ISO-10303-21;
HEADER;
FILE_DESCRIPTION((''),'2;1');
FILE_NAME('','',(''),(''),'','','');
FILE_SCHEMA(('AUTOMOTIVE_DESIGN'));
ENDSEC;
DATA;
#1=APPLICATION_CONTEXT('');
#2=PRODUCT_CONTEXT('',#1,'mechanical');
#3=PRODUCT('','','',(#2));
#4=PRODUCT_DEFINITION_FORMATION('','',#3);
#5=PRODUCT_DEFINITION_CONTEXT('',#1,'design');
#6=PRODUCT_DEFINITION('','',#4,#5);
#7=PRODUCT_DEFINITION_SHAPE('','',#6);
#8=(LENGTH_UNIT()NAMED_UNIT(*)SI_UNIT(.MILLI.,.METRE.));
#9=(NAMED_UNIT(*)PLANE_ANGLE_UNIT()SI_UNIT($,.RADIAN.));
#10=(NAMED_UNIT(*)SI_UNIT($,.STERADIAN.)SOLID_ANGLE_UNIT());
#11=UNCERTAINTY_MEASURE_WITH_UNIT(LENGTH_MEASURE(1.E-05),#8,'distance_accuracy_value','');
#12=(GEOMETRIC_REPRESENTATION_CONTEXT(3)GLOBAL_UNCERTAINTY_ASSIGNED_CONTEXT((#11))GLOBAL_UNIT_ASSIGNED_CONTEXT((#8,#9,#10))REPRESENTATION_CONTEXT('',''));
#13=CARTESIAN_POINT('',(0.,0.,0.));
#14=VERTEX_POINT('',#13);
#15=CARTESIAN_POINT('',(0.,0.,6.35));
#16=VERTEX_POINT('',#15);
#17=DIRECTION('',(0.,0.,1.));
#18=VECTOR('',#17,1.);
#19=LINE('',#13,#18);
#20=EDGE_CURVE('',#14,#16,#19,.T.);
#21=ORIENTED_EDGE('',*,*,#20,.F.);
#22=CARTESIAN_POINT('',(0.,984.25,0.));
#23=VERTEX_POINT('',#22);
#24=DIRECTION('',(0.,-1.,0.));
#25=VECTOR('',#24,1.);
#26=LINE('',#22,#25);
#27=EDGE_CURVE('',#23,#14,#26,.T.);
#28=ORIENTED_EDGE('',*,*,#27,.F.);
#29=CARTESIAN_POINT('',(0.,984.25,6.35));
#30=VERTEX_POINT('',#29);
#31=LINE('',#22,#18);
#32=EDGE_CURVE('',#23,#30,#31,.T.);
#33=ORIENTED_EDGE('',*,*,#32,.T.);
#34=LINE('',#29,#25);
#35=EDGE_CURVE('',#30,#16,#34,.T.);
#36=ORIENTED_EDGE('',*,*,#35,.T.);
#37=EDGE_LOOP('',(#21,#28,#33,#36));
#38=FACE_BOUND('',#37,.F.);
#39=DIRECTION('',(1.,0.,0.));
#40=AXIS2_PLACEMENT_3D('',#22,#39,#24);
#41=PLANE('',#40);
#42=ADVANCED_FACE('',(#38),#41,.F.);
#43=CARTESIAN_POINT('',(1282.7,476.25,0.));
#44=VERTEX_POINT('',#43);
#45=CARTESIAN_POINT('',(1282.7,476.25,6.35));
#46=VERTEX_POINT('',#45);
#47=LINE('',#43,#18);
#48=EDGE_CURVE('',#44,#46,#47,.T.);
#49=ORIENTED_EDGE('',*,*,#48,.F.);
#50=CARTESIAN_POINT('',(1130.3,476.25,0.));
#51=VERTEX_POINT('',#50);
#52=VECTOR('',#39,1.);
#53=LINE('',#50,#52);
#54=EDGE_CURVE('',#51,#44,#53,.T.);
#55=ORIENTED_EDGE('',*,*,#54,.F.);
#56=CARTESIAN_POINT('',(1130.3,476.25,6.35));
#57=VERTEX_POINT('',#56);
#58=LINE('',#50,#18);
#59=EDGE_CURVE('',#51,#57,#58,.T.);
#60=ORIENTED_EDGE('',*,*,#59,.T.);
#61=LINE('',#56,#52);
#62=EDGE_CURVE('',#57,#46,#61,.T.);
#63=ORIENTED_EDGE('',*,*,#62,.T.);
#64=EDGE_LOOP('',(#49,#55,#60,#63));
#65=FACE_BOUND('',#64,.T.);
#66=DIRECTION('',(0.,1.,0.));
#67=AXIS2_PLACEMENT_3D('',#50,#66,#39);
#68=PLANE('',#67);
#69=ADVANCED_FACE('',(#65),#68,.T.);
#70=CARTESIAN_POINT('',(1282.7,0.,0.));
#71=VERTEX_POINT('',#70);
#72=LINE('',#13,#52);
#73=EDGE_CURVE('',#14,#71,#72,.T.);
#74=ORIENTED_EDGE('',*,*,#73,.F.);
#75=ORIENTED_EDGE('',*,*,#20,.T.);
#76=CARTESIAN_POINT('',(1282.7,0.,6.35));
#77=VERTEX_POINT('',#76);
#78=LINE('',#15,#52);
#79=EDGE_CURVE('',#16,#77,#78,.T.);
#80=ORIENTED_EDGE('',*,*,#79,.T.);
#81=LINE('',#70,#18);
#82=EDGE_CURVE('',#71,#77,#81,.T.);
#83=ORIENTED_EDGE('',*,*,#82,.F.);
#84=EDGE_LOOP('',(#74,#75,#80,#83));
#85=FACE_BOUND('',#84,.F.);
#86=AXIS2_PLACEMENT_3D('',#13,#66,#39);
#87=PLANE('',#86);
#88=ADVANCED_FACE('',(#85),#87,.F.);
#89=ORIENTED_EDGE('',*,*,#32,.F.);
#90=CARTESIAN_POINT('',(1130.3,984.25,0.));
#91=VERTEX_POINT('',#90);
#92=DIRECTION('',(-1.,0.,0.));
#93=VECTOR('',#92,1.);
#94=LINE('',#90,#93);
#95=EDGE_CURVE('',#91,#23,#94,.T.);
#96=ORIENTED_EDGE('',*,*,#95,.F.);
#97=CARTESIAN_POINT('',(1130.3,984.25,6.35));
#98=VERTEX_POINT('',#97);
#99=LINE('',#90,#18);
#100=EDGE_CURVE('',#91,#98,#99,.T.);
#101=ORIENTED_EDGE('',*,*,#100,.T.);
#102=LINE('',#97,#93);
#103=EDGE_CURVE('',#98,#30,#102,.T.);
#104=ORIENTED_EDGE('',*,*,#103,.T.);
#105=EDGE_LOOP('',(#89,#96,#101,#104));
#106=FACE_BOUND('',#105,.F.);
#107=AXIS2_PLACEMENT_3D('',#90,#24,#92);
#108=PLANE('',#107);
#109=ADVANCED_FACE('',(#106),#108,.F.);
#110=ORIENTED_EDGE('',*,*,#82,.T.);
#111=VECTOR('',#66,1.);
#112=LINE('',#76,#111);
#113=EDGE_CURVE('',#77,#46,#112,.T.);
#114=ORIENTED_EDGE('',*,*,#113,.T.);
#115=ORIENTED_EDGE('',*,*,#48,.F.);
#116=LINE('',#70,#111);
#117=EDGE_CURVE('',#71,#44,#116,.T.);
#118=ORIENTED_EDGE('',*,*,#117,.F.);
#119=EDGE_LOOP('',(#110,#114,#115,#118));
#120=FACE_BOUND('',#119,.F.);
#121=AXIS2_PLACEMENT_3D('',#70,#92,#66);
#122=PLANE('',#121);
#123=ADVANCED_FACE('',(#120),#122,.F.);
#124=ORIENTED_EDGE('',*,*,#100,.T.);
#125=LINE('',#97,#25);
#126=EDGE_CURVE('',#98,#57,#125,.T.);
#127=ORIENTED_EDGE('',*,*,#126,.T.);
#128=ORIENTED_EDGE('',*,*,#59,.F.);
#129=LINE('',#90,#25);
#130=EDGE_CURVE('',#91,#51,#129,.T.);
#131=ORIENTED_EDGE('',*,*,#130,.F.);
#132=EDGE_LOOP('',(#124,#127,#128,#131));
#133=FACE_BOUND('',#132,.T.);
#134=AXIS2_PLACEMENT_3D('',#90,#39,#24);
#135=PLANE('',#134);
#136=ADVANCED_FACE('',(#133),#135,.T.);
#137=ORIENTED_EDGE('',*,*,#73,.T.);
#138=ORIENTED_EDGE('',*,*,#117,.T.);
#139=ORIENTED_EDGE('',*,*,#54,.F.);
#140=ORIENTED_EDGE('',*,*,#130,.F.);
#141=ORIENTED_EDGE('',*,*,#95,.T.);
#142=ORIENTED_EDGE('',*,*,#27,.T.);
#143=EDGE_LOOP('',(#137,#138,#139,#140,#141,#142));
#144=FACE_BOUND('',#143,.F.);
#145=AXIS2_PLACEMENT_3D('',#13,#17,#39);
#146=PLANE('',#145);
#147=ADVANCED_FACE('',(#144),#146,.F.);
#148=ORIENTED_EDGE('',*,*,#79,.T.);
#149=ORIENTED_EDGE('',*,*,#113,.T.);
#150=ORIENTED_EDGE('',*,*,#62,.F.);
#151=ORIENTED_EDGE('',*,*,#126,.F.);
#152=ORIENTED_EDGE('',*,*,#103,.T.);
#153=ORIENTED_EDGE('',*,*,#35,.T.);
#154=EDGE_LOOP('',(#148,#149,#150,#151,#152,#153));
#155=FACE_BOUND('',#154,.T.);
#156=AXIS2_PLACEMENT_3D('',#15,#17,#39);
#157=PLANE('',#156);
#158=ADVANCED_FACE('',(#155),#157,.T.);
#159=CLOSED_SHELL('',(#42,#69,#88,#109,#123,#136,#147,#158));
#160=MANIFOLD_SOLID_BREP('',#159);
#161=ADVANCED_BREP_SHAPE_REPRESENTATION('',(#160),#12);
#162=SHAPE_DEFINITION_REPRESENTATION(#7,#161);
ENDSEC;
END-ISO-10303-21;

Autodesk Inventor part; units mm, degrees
ref_plane "YZ Plane" through (0, 0, 0) normal (1, 0, 0) x (0, 1, 0)
ref_plane "XZ Plane" through (0, 0, 0) normal (0, 1, 0) x (-1, 0, 0)
ref_plane "XY Plane" through (0, 0, 0) normal (0, 0, 1) x (1, 0, 0)
sketch "Sketch1" plane through (0, 0, 0) normal (0, 0, 1) x (1, 0, 0)
  line L0 (0, 0) -> (1282.7, 0)
  line L1 (1282.7, 0) -> (1282.7, 476.25)
  line L2 (1130.3, 984.25) -> (0, 984.25)
  line L3 (0, 984.25) -> (0, 0)
  line L4 (1130.3, 984.25) -> (1130.3, 476.25)
  line L5 (1130.3, 476.25) -> (1282.7, 476.25)
  dimension "d0" = 1282.7
  dimension "d1" = 984.25
  dimension "d2" = 1130.3
  dimension "d3" = 508
extrude "Extrusion1" add sketch "Sketch1" along normal blind 6.35
properties part number "GE-12085"
